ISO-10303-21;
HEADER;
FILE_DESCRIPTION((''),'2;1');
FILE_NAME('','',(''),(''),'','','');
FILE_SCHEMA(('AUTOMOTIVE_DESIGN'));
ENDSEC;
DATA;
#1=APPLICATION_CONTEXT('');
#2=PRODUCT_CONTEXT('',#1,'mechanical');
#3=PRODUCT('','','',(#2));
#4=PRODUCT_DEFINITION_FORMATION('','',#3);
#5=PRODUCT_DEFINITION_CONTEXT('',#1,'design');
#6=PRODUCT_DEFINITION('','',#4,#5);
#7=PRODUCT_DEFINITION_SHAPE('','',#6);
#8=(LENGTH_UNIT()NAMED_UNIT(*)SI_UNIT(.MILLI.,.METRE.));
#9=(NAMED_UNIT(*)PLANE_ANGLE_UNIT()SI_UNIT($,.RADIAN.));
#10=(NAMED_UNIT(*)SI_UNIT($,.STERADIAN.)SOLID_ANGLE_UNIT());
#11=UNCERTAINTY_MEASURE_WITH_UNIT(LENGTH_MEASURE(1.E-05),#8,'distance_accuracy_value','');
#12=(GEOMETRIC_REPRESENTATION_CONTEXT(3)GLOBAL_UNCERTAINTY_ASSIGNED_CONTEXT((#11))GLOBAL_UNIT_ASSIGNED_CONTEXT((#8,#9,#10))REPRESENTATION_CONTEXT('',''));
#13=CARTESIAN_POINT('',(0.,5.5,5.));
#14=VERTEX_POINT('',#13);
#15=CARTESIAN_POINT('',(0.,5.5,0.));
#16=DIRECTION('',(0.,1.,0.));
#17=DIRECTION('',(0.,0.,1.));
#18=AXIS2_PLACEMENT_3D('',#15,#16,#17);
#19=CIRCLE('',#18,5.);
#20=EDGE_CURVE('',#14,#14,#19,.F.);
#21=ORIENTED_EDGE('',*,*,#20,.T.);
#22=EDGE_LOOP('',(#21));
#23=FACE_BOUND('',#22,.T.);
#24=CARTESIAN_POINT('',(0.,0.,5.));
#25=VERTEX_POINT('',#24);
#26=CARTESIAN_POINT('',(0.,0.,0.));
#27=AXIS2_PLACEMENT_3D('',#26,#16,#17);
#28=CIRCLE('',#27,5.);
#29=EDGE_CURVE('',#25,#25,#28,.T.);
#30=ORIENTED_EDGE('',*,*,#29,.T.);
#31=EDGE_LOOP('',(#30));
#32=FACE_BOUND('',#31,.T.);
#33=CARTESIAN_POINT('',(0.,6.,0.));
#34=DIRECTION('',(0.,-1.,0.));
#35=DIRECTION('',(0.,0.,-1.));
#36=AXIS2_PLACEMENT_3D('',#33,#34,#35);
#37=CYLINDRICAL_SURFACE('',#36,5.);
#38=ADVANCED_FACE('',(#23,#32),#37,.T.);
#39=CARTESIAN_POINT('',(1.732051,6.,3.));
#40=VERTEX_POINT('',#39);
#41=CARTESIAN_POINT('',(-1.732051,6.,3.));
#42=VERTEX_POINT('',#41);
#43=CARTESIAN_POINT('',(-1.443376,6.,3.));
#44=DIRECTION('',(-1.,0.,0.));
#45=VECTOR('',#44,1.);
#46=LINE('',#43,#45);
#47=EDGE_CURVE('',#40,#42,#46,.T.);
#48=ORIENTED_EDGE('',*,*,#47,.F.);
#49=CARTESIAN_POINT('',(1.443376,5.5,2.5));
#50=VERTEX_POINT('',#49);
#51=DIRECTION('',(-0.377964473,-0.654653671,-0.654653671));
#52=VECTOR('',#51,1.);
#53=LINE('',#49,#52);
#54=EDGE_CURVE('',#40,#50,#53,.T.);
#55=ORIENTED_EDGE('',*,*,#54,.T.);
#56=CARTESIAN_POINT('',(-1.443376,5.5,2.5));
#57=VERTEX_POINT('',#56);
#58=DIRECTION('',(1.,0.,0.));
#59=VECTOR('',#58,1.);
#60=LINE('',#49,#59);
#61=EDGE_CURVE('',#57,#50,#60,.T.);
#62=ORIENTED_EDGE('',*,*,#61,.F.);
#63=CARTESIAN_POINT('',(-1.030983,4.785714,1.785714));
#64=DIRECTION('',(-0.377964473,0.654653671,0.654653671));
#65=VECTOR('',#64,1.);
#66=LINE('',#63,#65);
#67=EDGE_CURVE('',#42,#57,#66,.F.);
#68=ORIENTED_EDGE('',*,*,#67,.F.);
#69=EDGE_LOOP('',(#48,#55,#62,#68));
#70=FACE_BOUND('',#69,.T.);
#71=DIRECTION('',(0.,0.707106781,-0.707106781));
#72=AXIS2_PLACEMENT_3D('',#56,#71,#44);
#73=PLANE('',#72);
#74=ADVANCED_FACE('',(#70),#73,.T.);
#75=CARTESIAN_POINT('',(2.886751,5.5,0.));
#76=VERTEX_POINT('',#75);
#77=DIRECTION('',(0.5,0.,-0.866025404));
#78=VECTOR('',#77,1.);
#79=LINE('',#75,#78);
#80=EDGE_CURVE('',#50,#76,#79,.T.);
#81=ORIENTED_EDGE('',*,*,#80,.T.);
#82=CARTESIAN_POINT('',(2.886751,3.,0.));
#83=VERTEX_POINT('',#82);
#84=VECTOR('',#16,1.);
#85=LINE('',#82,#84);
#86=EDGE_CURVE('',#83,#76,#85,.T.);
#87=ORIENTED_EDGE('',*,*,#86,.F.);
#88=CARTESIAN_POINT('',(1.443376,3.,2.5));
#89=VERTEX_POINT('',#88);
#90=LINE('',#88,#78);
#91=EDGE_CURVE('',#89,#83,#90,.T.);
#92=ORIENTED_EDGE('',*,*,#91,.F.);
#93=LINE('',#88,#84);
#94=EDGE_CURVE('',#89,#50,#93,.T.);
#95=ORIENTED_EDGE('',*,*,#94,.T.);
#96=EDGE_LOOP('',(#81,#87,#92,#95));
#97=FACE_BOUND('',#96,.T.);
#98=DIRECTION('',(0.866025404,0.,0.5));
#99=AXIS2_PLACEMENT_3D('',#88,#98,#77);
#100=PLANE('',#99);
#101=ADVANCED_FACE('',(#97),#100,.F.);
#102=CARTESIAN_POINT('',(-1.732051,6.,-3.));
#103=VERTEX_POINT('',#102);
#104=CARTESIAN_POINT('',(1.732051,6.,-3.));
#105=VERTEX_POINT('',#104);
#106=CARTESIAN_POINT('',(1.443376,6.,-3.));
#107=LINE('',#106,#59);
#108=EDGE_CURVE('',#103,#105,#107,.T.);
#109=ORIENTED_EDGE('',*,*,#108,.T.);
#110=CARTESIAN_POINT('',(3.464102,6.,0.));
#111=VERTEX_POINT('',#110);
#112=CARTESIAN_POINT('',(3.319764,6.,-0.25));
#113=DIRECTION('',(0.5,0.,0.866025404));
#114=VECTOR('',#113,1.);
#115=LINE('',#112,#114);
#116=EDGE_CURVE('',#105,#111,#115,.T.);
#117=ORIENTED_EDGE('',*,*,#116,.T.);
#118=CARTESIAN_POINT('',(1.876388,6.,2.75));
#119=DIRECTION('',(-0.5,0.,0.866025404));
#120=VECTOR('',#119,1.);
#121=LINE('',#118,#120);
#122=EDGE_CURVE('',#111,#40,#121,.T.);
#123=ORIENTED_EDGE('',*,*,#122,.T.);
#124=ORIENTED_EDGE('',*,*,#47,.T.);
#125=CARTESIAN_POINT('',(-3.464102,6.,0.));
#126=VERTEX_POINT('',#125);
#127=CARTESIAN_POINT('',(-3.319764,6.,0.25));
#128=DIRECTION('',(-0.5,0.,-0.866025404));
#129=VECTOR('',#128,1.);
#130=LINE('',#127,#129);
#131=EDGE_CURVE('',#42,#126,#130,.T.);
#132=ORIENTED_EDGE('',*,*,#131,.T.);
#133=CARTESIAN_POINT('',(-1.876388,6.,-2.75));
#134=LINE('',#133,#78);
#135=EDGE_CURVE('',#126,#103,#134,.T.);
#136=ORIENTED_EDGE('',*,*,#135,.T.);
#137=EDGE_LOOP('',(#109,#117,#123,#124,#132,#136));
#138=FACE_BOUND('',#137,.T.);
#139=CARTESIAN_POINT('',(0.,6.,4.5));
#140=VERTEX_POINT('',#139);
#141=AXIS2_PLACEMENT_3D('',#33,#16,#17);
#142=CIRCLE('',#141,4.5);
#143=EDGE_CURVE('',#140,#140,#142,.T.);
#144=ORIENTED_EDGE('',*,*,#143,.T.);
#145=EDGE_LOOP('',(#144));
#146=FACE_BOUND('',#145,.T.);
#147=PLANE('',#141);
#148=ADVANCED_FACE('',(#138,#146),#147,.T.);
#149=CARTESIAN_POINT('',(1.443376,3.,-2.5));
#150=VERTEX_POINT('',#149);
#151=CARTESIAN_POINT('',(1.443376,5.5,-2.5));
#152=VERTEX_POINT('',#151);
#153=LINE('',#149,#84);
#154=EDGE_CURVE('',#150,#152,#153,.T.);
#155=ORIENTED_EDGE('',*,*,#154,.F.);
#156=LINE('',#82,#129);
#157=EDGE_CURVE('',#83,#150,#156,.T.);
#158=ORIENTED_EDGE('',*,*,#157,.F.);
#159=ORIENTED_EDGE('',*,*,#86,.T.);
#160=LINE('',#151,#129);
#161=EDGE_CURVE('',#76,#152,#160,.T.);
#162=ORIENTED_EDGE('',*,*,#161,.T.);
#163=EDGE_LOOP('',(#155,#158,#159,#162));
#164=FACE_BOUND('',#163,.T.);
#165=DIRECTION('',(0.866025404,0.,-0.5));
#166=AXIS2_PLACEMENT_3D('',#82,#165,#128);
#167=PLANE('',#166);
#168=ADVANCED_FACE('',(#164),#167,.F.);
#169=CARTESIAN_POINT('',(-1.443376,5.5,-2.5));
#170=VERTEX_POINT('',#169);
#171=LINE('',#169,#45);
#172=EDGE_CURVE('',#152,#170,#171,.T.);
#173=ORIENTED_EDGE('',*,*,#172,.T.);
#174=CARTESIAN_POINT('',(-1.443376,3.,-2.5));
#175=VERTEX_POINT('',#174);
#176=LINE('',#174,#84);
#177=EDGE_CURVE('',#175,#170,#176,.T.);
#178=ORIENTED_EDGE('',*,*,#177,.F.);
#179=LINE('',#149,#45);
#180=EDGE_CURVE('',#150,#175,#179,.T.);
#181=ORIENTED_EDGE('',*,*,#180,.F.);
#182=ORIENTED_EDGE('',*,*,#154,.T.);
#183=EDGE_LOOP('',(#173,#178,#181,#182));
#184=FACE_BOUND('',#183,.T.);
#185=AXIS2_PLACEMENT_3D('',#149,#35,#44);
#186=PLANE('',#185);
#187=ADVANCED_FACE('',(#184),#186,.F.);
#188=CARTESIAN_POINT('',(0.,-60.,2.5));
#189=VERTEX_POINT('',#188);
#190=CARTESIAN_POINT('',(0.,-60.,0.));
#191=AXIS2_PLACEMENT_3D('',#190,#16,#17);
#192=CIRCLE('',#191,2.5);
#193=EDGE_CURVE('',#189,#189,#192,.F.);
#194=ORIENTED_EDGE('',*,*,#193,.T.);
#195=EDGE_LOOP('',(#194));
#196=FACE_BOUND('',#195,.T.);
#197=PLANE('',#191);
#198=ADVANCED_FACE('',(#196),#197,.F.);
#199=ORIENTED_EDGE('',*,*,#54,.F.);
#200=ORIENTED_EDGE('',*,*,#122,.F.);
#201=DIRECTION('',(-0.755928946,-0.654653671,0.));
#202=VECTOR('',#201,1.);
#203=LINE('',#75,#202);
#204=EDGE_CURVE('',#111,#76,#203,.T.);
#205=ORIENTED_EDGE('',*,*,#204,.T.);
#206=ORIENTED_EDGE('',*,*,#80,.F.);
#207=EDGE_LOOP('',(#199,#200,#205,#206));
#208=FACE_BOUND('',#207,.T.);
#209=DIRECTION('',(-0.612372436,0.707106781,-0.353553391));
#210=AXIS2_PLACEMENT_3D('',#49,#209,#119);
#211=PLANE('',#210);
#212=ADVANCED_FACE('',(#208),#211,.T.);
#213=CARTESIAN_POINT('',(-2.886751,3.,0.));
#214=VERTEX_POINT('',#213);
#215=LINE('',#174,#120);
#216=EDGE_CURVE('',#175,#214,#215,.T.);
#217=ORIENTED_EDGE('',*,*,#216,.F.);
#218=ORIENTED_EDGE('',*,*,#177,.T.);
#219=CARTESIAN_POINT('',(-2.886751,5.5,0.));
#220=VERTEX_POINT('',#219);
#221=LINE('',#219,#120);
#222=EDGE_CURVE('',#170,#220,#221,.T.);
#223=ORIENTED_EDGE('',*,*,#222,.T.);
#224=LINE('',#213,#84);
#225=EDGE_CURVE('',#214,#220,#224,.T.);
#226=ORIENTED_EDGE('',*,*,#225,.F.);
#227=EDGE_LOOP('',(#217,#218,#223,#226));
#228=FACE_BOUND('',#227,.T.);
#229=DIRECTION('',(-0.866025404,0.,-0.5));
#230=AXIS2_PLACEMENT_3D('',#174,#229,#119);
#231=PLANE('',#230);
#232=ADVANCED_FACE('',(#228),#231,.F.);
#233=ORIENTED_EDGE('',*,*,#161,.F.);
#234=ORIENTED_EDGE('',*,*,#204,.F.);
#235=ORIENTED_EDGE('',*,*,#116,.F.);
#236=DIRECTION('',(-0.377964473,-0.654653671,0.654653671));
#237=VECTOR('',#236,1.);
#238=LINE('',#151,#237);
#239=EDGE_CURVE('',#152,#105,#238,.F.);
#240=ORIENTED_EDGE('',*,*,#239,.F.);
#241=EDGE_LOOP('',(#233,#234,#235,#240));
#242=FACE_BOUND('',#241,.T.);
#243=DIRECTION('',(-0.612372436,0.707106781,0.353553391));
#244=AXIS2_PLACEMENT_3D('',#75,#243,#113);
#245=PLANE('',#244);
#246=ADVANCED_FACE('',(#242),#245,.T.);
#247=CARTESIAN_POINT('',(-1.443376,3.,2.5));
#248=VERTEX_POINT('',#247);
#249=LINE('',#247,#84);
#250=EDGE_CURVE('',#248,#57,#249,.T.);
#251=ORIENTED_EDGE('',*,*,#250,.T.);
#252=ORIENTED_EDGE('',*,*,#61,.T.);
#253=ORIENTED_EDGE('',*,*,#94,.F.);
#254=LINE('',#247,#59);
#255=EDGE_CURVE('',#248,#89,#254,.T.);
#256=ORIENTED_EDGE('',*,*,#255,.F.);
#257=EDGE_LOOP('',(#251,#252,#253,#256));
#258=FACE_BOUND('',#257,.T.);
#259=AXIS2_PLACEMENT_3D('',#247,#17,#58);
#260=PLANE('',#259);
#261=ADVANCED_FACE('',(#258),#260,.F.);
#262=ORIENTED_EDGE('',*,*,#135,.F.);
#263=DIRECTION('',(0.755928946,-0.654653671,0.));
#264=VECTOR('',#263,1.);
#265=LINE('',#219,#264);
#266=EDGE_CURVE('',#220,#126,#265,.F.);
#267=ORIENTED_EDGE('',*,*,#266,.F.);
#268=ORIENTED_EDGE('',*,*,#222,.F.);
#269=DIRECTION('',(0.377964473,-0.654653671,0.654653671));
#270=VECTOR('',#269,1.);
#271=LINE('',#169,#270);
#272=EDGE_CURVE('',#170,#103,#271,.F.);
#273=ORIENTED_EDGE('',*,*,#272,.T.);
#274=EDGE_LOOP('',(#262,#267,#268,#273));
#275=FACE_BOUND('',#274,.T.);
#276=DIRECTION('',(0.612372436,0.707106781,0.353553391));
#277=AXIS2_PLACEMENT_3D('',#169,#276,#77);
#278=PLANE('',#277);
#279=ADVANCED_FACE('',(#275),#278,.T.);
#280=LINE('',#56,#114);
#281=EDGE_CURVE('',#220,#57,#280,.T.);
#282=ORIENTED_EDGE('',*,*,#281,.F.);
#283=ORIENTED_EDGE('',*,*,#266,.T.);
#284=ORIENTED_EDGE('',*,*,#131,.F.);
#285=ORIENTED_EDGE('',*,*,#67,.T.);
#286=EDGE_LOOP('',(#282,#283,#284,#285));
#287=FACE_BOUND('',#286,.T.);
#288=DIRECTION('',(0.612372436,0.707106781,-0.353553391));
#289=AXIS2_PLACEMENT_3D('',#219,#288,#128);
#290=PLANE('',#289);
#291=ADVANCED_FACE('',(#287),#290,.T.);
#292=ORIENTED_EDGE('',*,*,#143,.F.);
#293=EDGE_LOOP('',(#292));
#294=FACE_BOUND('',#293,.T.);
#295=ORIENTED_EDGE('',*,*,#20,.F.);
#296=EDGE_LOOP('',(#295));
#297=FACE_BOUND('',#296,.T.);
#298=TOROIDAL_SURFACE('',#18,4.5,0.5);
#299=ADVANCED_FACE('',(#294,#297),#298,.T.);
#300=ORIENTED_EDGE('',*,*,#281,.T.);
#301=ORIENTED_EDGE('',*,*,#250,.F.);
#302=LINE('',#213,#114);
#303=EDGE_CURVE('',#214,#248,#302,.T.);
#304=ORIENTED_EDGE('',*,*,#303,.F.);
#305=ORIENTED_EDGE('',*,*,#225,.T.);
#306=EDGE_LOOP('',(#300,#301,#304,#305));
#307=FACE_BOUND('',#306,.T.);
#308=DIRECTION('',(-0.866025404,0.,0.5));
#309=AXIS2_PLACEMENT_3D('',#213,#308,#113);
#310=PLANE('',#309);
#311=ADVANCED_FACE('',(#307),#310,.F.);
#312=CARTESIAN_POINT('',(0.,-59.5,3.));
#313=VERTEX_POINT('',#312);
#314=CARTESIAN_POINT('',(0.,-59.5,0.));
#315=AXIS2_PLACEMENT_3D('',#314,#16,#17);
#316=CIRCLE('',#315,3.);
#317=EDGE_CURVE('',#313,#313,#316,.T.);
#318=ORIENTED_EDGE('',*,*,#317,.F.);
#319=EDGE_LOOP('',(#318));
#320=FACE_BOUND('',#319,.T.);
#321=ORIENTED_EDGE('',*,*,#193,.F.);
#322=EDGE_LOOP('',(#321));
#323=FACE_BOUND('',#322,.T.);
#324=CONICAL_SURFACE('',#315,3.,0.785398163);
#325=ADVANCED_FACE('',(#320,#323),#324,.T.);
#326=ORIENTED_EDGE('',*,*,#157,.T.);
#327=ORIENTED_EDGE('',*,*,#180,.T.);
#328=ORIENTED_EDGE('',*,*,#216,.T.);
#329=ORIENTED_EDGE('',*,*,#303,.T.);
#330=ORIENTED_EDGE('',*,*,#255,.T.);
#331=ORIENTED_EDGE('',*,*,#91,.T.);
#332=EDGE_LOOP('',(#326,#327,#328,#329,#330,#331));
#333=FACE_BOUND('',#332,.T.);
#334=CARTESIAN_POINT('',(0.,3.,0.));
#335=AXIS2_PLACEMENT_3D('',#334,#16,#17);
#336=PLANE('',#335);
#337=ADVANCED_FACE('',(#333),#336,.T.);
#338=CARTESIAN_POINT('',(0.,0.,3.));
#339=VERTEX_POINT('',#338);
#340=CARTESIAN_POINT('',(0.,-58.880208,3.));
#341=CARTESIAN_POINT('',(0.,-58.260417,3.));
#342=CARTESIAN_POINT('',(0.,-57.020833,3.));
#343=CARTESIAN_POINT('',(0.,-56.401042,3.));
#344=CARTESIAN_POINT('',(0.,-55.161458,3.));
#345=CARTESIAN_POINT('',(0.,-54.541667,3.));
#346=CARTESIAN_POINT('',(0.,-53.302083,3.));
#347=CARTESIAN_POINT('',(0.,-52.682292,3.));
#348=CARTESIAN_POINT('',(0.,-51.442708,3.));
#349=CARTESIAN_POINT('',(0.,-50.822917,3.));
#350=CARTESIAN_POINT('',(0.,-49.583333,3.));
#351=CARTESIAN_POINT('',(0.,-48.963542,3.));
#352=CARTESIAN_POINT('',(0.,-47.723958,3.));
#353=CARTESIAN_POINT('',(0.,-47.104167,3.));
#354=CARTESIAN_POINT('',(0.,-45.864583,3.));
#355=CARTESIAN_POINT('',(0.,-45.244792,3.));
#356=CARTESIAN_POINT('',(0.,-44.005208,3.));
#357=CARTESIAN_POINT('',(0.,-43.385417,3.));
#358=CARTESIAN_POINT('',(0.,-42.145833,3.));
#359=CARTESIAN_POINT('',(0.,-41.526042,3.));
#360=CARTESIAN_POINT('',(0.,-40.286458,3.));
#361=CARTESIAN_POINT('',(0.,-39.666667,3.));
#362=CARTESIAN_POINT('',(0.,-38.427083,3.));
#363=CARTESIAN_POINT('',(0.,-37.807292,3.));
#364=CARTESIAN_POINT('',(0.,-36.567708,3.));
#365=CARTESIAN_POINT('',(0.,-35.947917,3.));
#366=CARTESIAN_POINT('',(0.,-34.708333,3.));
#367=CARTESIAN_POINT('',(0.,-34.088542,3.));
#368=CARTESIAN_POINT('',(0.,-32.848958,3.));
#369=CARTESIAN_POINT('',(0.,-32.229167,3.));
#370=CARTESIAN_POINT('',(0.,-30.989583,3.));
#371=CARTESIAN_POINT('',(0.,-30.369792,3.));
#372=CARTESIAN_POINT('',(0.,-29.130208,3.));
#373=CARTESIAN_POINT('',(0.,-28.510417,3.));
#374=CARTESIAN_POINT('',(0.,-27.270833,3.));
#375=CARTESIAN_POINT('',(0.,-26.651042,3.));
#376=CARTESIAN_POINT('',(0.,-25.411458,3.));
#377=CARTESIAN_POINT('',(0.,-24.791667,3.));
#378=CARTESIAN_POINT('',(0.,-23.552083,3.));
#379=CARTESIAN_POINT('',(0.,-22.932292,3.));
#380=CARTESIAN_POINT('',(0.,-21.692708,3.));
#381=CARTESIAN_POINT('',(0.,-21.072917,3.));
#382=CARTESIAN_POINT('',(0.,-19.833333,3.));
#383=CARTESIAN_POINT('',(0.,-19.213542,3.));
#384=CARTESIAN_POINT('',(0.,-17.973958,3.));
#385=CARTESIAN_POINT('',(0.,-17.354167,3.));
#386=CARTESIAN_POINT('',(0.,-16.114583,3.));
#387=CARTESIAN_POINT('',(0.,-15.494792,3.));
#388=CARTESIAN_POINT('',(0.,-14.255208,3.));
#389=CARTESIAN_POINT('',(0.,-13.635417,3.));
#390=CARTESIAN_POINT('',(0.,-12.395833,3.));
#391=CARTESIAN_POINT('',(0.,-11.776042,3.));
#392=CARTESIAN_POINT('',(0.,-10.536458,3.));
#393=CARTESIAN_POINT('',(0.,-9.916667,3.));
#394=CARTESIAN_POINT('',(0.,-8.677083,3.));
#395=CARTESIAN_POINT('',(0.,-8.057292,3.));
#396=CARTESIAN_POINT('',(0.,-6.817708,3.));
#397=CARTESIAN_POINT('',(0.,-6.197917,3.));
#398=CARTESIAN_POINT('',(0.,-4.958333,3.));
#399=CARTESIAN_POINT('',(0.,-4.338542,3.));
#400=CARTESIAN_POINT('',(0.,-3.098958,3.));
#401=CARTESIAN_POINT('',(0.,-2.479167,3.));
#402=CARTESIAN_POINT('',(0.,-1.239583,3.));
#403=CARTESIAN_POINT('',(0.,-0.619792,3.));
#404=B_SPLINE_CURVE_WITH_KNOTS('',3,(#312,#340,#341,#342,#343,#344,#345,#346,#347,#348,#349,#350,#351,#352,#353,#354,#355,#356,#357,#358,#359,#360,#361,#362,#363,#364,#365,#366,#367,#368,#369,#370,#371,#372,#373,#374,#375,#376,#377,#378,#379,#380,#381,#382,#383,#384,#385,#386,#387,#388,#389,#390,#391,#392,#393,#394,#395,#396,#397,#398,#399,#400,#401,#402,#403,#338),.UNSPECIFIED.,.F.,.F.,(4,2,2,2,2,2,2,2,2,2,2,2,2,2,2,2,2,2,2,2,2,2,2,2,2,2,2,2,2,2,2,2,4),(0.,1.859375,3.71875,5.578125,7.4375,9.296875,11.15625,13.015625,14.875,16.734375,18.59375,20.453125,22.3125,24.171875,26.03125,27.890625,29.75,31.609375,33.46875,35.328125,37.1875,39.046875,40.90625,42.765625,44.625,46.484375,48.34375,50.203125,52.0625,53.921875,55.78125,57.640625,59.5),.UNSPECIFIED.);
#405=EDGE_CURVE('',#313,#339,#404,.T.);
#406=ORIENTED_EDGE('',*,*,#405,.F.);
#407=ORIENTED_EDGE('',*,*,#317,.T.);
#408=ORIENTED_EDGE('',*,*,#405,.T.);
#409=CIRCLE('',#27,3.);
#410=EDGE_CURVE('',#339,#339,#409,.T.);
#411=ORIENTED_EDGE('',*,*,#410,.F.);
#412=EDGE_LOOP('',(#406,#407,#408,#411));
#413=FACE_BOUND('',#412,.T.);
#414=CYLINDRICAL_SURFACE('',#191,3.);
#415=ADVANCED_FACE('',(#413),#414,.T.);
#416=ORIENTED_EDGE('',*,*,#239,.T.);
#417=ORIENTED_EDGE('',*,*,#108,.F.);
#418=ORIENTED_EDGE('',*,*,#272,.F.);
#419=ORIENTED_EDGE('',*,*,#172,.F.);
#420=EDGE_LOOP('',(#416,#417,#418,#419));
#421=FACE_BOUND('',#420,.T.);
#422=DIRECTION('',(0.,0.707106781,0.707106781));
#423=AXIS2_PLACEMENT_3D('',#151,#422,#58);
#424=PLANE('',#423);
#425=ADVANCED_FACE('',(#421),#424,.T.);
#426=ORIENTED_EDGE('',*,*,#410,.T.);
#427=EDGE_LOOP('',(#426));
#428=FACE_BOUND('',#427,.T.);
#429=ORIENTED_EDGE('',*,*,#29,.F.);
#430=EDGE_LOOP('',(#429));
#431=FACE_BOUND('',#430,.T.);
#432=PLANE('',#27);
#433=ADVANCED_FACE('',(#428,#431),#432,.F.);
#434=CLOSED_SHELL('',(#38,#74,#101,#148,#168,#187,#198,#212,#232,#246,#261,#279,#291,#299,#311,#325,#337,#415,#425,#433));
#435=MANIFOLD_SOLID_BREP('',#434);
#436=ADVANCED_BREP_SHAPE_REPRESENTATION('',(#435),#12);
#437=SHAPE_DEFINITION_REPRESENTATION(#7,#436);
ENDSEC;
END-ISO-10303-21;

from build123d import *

# Parameters (mm, degrees)
ESBO_O1_R                = 3
RESSALTO_EXTRUS_O1_DEPTH = 60
ESBO_O2_R                = 5
RESSALTO_EXTRUS_O2_DEPTH = 6
FILETE1_R                = 0.5
CORTE_EXTRUS_O1_DEPTH    = 3
CHANFRO3_SIZE            = 0.5
CHANFRO4_SIZE            = 0.5


with BuildPart() as part:
    # Esboço1 → Ressalto-extrusão1 (new body)
    with BuildSketch(Plane(origin=(0, 0, 0), x_dir=(1, 0, 0), z_dir=(0, 1, 0))):
        with Locations(Location((0, 0, 0), (0, 0, 270))):
            Circle(ESBO_O1_R)
    extrude(amount=-RESSALTO_EXTRUS_O1_DEPTH)

    # Esboço2 → Ressalto-extrusão2 (add)
    with BuildSketch(Plane(origin=(0, 0, 0), x_dir=(1, 0, 0), z_dir=(0, 1, 0))):
        with Locations(Location((0, 0, 0), (0, 0, 270))):
            Circle(ESBO_O2_R)
    extrude(amount=RESSALTO_EXTRUS_O2_DEPTH)

    # Filete1
    filete1_edges = [part.edges().sort_by_distance(p)[0] for p in [
        (0, 6, -5),
    ]]
    fillet(filete1_edges, radius=FILETE1_R)

    # Esboço3 → Corte-extrusão1 (cut)
    with BuildSketch(Plane(origin=(0, 6, 0), x_dir=(1, 0, 0), z_dir=(0, 1, 0))):
        Polygon((2.886751346, 0), (1.443375673, 2.5), (-1.443375673, 2.5), (-2.886751346, 0), (-1.443375673, -2.5), (1.443375673, -2.5), align=None)
    extrude(amount=-CORTE_EXTRUS_O1_DEPTH, mode=Mode.SUBTRACT)

    # Chanfro3
    chanfro3_edges = [part.edges().sort_by_distance(p)[0] for p in [
        (2.165063509, 6, 1.25),
        (2.165063509, 6, -1.25),
        (0, 6, -2.5),
        (-2.165063509, 6, -1.25),
        (-2.165063509, 6, 1.25),
        (0, 6, 2.5),
    ]]
    chamfer(chanfro3_edges, length=CHANFRO3_SIZE)

    # Chanfro4
    chanfro4_edges = [part.edges().sort_by_distance(p)[0] for p in [
        (0, -60, -3),
    ]]
    chamfer(chanfro4_edges, length=CHANFRO4_SIZE)


solid = part.part
